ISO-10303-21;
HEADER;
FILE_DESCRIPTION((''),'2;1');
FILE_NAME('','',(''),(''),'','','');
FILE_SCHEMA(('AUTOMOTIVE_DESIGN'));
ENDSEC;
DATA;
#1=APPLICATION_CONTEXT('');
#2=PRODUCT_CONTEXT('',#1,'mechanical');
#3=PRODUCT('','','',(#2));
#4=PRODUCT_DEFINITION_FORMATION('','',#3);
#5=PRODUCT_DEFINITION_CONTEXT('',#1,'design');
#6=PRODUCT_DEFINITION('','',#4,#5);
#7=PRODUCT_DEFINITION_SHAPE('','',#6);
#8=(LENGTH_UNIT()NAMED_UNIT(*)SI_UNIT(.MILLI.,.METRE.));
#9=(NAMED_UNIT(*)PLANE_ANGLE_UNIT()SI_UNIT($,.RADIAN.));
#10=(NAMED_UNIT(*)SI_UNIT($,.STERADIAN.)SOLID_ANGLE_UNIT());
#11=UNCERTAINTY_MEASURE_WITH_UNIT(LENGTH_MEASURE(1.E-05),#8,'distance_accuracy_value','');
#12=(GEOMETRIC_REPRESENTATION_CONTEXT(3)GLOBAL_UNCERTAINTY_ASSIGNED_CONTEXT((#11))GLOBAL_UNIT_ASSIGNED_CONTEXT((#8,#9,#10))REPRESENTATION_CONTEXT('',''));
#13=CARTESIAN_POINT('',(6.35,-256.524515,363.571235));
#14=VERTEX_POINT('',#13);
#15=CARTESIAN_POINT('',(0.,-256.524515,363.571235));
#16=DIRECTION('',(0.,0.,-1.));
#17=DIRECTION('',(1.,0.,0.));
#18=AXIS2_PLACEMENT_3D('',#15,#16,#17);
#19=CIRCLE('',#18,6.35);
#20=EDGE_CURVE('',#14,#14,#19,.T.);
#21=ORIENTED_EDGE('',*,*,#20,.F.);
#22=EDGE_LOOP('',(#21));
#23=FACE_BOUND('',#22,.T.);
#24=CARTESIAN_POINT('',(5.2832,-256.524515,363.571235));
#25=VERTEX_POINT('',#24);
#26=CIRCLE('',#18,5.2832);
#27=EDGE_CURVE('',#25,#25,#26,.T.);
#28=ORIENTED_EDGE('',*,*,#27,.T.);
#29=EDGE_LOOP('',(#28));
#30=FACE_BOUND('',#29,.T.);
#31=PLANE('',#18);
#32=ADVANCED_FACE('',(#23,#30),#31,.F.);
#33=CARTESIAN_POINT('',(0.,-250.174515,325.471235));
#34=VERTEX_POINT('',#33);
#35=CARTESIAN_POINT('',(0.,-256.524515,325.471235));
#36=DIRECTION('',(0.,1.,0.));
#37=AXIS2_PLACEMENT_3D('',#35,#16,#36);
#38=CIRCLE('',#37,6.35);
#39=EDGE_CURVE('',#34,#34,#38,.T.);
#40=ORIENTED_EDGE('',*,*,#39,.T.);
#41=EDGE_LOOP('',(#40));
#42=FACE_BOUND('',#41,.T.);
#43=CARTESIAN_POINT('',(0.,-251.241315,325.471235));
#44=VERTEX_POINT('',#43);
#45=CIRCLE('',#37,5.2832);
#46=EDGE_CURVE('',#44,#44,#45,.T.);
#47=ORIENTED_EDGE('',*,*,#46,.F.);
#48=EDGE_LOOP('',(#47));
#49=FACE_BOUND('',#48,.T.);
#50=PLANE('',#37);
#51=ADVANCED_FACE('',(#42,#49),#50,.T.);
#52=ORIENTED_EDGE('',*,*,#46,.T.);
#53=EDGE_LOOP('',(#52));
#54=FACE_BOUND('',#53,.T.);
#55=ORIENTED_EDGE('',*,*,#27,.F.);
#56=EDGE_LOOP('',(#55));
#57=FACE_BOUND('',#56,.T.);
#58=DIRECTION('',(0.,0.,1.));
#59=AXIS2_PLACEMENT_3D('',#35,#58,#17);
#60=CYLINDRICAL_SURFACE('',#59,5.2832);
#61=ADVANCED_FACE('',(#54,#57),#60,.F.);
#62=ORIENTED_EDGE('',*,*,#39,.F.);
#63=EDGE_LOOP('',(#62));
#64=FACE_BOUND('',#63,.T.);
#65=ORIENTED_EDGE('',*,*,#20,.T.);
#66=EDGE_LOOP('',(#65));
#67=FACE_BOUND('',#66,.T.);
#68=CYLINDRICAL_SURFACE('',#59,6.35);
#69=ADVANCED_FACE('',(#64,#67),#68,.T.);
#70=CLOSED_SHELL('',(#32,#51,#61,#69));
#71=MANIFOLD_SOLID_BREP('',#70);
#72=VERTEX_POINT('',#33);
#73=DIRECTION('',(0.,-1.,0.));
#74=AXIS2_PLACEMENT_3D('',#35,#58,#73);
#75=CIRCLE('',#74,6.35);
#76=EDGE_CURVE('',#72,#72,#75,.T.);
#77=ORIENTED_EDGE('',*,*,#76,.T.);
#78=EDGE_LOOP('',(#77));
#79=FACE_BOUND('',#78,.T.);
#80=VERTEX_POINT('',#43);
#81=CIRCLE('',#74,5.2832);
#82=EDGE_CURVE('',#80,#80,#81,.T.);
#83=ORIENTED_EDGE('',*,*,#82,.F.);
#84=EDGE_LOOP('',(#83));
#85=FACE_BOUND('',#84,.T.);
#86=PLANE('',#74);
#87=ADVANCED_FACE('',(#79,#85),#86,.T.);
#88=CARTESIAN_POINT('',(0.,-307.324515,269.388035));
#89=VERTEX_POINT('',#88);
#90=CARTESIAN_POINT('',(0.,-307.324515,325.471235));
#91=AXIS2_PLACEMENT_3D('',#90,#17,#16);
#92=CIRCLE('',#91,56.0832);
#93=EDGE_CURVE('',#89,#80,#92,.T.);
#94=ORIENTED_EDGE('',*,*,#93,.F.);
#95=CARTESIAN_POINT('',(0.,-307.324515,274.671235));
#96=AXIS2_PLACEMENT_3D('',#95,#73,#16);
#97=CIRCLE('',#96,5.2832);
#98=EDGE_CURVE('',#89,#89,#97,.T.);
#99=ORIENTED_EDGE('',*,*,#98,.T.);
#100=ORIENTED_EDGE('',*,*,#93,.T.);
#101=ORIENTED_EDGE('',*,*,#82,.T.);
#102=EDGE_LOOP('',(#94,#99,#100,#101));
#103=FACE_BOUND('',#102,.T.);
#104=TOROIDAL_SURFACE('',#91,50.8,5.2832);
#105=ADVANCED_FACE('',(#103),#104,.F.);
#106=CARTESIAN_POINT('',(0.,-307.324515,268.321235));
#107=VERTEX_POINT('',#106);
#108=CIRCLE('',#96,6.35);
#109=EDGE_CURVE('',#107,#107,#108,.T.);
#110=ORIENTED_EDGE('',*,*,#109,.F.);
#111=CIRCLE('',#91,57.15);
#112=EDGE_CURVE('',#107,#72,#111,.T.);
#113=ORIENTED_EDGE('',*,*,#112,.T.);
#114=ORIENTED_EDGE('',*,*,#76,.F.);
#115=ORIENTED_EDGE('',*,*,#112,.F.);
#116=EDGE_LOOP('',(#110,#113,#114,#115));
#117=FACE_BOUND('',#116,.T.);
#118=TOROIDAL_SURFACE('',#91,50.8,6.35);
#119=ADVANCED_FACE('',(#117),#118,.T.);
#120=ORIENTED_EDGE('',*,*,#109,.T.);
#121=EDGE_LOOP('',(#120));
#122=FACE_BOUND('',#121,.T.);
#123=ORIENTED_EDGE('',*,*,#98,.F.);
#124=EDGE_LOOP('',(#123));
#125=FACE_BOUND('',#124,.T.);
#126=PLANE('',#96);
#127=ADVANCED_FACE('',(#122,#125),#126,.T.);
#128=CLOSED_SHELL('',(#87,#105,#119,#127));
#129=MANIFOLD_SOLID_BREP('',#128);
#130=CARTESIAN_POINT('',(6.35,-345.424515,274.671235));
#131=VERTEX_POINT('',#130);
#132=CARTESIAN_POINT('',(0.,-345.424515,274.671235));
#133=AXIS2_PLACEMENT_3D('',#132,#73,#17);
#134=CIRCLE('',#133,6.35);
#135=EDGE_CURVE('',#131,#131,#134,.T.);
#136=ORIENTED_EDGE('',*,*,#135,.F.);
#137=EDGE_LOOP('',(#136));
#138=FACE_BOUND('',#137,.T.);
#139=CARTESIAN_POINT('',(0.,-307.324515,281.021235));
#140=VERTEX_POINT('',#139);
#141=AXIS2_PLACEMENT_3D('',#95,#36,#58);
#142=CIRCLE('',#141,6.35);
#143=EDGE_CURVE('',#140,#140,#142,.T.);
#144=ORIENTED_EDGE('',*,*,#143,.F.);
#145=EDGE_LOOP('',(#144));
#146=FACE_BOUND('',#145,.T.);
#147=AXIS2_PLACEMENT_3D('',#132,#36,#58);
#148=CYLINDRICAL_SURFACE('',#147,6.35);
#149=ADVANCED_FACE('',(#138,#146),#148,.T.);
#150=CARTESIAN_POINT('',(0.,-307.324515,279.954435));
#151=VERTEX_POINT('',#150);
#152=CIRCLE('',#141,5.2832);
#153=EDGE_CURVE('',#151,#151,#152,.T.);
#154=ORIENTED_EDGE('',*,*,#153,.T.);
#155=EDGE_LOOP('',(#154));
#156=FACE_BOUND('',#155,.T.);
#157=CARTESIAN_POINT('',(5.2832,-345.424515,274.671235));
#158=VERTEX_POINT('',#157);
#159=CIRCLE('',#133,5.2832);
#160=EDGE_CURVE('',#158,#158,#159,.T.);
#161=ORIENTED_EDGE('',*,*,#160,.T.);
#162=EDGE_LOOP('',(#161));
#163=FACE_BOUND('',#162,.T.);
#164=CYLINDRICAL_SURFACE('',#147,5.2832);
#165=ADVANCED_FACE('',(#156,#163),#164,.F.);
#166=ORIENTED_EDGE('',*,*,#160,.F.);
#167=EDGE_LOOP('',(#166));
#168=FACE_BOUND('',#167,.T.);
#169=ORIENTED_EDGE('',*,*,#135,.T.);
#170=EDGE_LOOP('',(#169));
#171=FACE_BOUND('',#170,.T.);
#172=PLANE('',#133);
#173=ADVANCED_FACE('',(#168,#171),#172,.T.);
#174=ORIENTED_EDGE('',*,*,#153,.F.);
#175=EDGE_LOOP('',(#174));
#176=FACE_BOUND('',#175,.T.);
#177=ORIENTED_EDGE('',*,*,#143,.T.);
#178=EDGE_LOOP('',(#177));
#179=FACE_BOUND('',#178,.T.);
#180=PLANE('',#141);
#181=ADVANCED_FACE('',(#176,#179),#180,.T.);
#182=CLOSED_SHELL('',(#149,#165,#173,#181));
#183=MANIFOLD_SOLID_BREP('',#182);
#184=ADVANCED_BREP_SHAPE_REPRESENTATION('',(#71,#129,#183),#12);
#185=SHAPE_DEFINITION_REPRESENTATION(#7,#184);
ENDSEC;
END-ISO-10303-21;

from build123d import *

# Parameters (mm, degrees)
SKETCH11_ON_SEGMENT_1_R   = 6.35
SKETCH11_ON_SEGMENT_1_R_2 = 5.2832
PIPE_0_5_SCH_40_1_DEPTH   = 38.1
SKETCH11_ON_SEGMENT_2_R   = 6.35
SKETCH11_ON_SEGMENT_2_R_2 = 5.2832
PIPE_0_5_SCH_40_1_2_ANGLE = 90
SKETCH11_R                = 6.35
SKETCH11_R_2              = 5.2832
PIPE_0_5_SCH_40_1_3_DEPTH = 38.1


with BuildPart() as part:
    # Sketch11 on segment 1 (carried to segment 1) → Pipe 0.5 SCH 40(1) (new body)
    with BuildSketch(Plane(origin=(0, -256.524515023, 363.571235239), x_dir=(0, 1, 0), z_dir=(0, 0, -1))):
        Circle(SKETCH11_ON_SEGMENT_1_R)
        Circle(SKETCH11_ON_SEGMENT_1_R_2, mode=Mode.SUBTRACT)
    extrude(amount=PIPE_0_5_SCH_40_1_DEPTH)


with BuildPart() as body_2:
    # Sketch11 on segment 2 (carried to the start of arc 2) → Pipe 0.5 SCH 40_1 2 (revolve)
    with BuildSketch(Plane(origin=(0, -256.524515023, 325.471235239), x_dir=(0, 1, 0), z_dir=(0, 0, -1))):
        Circle(SKETCH11_ON_SEGMENT_2_R)
        Circle(SKETCH11_ON_SEGMENT_2_R_2, mode=Mode.SUBTRACT)
    revolve(axis=Axis((0, -307.324515023, 325.471235239), (-1, 0, 0)), revolution_arc=PIPE_0_5_SCH_40_1_2_ANGLE)


with BuildPart() as body_3:
    # Sketch11 → Pipe 0.5 SCH 40_1 3 (new body)
    with BuildSketch(Plane(origin=(0, -307.324515023, 274.671235239), x_dir=(0, 0, -1), z_dir=(0, -1, 0))):
        Circle(SKETCH11_R)
        Circle(SKETCH11_R_2, mode=Mode.SUBTRACT)
    extrude(amount=PIPE_0_5_SCH_40_1_3_DEPTH)


solid = Compound([part.part, body_2.part, body_3.part])
